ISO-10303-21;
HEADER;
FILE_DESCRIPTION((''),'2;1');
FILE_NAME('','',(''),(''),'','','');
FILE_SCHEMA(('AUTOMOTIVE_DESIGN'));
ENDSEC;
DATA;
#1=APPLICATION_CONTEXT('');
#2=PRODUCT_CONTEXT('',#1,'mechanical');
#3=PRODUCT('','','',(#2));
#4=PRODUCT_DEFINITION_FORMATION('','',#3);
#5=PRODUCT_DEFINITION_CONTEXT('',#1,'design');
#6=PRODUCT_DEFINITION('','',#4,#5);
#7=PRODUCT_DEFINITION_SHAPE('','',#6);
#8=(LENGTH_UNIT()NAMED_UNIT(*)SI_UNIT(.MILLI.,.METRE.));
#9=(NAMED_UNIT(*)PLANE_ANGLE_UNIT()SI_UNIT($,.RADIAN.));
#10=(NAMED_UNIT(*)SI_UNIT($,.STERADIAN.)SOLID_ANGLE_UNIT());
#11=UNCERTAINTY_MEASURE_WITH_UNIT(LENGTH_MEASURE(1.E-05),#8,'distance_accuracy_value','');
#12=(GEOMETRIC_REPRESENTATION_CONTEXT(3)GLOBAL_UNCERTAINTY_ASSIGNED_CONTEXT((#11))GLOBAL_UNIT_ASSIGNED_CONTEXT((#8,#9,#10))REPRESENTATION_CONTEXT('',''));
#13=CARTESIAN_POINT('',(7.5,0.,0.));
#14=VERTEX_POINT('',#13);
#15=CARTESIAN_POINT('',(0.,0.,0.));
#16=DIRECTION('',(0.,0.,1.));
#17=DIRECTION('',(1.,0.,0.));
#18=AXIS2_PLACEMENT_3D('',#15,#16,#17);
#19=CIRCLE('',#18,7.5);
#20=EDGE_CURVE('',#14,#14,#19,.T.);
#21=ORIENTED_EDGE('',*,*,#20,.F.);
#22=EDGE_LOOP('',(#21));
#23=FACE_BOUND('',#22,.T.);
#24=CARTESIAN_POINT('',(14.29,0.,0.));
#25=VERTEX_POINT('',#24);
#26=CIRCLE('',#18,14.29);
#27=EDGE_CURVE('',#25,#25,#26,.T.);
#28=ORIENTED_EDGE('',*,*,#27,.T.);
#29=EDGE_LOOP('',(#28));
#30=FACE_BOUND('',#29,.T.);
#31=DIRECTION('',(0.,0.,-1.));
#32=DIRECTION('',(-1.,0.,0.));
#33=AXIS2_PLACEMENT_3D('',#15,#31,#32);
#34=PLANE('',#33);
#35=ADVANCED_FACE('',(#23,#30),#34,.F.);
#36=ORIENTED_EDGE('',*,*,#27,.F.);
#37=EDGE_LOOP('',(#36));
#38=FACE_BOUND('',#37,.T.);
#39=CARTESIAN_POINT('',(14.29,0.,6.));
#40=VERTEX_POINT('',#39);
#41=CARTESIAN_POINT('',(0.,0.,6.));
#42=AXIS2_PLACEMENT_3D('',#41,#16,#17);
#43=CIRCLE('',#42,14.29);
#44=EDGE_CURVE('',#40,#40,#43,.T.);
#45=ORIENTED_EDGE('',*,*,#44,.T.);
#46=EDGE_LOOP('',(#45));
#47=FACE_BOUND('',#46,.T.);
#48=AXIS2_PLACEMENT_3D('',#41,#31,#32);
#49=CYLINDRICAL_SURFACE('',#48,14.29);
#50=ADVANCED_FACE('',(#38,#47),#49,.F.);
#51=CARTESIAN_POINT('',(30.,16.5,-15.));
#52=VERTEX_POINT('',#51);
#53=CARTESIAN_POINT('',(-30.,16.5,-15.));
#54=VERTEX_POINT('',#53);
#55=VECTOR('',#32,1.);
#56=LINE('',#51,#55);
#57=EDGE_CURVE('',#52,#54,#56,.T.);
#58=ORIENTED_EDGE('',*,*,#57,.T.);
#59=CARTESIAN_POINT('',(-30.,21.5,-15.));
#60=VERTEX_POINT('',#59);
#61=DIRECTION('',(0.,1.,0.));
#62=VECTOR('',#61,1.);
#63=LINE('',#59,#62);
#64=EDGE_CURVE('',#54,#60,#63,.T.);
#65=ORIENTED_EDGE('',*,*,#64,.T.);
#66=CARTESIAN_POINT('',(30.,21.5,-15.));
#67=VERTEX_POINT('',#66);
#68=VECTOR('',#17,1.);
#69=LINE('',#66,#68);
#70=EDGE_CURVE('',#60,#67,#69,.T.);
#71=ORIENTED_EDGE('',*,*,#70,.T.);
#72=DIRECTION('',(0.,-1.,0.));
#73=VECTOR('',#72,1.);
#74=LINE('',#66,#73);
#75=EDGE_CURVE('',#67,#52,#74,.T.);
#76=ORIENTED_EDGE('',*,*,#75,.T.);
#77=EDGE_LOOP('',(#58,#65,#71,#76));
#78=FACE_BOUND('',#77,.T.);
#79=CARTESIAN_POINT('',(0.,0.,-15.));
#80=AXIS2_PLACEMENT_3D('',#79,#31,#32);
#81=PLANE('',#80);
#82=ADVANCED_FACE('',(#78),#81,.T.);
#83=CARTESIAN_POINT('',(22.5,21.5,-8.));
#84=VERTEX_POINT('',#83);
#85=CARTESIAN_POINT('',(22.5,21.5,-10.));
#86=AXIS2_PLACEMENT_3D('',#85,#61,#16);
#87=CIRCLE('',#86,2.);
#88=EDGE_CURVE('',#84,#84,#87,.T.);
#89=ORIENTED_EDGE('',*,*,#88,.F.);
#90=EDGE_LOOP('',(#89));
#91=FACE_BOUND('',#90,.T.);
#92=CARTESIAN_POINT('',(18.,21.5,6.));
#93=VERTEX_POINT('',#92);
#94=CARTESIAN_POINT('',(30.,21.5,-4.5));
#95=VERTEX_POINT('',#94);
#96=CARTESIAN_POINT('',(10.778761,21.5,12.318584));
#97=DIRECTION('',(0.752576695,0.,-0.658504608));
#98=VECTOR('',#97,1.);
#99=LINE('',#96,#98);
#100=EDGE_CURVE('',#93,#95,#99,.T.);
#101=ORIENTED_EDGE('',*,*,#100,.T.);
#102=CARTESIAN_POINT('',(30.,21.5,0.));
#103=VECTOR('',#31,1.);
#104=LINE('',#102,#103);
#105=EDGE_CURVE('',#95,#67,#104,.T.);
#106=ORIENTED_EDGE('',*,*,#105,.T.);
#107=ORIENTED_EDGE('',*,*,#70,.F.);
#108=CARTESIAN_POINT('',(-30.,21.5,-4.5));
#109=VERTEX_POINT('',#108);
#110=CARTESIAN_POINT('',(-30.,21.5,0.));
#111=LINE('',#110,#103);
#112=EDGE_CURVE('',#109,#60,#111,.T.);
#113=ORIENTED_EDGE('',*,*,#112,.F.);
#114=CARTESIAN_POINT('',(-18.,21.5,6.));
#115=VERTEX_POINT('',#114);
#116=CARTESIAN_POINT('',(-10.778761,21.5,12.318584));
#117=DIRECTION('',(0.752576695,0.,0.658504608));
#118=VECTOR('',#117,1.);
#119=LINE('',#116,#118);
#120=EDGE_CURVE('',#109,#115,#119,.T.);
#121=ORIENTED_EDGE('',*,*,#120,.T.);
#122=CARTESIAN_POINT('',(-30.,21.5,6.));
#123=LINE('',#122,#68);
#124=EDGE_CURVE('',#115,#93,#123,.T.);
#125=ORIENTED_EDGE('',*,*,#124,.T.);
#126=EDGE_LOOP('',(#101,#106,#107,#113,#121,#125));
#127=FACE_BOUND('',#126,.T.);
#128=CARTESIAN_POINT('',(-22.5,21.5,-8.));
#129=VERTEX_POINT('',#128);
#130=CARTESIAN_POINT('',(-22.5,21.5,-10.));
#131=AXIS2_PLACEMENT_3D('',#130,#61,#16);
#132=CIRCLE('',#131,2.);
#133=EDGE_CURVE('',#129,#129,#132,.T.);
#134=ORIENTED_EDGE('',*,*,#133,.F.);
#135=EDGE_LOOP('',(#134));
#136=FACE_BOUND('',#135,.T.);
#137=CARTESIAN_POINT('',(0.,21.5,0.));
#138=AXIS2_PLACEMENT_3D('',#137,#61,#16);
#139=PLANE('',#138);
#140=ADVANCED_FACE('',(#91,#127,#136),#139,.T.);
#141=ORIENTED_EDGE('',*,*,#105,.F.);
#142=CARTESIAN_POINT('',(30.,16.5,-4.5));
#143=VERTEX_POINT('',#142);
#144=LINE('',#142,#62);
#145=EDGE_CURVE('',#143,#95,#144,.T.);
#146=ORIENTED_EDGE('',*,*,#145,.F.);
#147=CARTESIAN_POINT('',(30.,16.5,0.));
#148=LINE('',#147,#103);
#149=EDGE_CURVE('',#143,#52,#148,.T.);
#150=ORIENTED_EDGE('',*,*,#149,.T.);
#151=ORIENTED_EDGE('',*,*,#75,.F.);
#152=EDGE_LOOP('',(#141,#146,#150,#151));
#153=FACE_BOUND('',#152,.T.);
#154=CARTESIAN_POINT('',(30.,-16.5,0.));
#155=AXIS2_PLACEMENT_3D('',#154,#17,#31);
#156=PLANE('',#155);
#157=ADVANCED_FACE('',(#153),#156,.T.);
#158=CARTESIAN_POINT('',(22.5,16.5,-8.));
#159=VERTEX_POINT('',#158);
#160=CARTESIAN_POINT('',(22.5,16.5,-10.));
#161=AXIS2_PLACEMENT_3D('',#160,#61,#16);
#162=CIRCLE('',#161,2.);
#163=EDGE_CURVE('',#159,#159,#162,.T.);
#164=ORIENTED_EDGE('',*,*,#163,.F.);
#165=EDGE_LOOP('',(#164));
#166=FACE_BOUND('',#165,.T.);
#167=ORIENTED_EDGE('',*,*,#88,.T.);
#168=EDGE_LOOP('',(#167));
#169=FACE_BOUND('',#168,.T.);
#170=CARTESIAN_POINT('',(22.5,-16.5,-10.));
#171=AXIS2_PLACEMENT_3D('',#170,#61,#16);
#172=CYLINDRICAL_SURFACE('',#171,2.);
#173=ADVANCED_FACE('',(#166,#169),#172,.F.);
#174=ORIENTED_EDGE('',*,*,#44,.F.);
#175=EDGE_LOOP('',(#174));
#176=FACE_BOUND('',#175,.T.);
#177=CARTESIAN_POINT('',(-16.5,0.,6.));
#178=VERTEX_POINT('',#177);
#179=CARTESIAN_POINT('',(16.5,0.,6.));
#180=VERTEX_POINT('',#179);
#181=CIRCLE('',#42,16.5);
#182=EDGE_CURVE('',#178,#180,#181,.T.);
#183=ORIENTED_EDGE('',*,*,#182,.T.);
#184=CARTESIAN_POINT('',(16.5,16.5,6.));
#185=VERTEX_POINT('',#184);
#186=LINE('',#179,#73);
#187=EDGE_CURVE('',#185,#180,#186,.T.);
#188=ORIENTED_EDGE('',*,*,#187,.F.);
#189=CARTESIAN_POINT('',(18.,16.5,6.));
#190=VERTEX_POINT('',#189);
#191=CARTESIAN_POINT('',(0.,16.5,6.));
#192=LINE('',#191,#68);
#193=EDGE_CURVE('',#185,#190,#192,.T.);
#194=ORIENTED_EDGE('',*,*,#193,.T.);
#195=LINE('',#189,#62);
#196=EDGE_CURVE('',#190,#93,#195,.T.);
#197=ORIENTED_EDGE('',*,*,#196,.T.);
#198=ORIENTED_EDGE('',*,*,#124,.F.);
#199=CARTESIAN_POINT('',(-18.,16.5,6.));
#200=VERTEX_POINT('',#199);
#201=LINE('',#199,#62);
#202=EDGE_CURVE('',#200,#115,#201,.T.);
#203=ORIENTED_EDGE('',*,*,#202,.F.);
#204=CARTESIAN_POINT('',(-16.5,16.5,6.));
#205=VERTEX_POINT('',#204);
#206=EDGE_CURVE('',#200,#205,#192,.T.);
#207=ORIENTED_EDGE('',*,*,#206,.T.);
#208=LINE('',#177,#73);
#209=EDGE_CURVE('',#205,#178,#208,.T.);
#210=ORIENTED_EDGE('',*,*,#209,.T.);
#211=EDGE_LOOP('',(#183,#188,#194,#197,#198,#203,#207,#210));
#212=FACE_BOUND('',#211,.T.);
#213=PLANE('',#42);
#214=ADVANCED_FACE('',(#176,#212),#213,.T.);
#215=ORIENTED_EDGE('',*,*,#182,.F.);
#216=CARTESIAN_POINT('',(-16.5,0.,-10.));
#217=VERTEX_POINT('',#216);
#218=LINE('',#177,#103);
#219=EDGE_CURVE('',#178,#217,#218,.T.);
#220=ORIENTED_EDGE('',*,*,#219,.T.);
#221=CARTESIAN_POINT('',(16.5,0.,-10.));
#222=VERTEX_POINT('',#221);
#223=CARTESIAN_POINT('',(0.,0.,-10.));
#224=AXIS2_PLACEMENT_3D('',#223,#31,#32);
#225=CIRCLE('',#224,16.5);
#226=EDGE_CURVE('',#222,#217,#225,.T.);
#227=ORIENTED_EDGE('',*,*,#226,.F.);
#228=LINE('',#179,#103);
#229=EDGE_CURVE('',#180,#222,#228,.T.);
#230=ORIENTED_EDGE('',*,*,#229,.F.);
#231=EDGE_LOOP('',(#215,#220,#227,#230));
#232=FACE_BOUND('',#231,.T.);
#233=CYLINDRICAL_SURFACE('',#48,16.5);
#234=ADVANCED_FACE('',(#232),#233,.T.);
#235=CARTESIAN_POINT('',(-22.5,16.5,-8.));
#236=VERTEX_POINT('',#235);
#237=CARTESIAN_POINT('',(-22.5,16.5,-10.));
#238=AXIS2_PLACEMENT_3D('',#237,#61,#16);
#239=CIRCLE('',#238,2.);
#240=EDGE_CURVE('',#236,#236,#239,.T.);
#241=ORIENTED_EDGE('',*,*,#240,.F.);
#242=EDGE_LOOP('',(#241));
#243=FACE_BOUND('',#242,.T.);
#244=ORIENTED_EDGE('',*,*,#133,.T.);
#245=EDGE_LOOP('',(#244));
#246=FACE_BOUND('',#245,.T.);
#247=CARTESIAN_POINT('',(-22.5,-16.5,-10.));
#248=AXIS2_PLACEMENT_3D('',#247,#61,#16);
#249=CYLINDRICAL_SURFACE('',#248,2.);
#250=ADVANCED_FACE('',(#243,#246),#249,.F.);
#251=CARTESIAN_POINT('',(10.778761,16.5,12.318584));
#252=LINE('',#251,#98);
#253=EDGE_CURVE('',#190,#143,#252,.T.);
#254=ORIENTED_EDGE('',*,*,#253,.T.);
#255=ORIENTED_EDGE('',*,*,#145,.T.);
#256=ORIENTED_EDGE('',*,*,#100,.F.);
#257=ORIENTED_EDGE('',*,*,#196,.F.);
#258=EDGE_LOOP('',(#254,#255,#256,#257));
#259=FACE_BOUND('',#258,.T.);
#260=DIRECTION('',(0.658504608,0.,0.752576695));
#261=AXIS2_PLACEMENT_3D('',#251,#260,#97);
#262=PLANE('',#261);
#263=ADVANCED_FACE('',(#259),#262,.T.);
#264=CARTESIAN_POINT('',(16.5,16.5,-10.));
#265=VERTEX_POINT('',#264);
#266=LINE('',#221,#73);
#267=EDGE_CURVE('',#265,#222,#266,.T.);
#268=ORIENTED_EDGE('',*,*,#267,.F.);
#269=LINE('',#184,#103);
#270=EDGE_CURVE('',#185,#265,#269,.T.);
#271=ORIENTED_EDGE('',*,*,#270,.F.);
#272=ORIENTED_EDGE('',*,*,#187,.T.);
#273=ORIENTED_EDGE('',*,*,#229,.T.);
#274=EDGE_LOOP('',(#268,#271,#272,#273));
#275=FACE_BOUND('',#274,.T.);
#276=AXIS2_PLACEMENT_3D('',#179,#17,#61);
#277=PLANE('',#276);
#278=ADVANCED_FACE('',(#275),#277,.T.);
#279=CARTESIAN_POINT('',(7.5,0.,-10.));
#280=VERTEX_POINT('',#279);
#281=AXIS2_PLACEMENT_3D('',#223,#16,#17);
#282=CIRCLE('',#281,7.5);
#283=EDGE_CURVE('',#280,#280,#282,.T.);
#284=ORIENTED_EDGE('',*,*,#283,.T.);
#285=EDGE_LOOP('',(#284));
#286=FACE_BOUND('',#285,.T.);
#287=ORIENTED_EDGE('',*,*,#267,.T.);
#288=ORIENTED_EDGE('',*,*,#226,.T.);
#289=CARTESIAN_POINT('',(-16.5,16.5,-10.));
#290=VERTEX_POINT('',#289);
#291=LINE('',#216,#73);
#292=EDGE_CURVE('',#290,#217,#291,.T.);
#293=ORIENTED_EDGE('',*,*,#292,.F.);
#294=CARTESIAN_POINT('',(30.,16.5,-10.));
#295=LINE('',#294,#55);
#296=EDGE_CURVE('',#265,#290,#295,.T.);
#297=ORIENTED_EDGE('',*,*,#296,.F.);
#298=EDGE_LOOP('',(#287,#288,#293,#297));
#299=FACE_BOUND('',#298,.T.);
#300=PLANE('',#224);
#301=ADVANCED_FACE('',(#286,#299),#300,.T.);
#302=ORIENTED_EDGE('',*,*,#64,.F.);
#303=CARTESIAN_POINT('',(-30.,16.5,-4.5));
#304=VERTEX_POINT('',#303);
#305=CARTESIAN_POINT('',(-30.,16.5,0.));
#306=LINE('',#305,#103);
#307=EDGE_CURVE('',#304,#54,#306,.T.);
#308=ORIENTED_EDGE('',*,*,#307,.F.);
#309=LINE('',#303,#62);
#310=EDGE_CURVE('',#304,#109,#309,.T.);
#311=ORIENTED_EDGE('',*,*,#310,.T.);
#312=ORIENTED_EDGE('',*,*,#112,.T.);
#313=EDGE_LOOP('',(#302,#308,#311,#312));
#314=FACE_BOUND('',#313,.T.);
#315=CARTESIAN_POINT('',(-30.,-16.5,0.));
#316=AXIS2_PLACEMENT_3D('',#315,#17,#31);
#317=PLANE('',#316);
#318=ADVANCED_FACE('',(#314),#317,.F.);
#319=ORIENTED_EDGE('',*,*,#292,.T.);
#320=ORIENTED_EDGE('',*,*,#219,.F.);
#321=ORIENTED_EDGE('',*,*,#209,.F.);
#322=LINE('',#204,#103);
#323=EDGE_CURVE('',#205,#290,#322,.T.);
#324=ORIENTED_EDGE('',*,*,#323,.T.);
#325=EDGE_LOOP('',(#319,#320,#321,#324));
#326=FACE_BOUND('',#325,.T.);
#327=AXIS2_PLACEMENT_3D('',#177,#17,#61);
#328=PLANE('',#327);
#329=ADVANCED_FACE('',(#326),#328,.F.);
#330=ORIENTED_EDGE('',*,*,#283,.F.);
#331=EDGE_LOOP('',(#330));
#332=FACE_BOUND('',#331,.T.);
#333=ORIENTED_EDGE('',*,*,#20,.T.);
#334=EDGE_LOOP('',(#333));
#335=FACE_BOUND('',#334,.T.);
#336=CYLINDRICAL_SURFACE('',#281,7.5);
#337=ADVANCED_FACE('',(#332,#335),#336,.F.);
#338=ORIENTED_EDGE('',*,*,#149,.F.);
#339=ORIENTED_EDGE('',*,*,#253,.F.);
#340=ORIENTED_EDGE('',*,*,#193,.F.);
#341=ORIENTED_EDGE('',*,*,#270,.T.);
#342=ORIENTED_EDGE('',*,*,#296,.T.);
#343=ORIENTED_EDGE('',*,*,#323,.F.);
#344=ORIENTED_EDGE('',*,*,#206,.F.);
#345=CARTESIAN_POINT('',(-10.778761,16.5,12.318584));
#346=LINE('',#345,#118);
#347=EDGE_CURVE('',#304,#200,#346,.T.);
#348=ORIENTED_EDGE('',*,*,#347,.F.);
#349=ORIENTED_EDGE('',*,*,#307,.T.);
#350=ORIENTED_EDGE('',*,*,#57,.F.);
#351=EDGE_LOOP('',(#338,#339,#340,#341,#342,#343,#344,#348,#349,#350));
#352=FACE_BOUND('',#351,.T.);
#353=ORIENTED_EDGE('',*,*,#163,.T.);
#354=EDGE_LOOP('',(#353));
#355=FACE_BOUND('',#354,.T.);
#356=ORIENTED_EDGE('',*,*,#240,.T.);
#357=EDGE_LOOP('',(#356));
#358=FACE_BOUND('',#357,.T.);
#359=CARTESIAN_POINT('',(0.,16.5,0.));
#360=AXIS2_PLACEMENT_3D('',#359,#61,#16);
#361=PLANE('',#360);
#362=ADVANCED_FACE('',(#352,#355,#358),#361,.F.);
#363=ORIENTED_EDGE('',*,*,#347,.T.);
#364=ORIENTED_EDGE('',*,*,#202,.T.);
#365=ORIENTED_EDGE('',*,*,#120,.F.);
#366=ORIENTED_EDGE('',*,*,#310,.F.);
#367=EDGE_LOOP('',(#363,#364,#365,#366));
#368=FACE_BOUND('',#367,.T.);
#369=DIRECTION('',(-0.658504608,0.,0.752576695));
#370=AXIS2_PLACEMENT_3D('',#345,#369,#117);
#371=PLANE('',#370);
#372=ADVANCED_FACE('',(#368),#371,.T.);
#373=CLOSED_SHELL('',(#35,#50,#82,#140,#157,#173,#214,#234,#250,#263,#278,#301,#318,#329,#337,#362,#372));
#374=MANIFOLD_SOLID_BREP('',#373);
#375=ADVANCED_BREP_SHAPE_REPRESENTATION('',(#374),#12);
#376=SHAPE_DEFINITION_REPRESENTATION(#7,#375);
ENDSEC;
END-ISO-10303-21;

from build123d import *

# Parameters (mm, degrees)
ESQUISSE1_R             = 16.5
ESQUISSE1_R_2           = 14.29
BOSS_EXTRU_1_DEPTH      = 6
BOSS_EXTRU_2_START      = 10
ESQUISSE2_R             = 16.5
BOSS_EXTRU_2_DEPTH      = 10
BOSS_EXTRU_3_DEPTH      = 5
BOSS_EXTRU_4_DEPTH      = 16
ESQUISSE7_R             = 2
ESQUISSE7_W             = 60
ESQUISSE7_H             = 4
ENL_V_MAT_EXTRU_1_DEPTH = 57.071383076
ESQUISSE8_R             = 7.5
ENL_V_MAT_EXTRU_2_DEPTH = 39.23937761
ESQUISSE10_W            = 60
ESQUISSE10_H            = 5
BOSS_EXTRU_5_DEPTH      = 5
ENL_V_MAT_EXTRU_4_DEPTH = 5


with BuildPart() as part:
    # Esquisse1 → Boss.-Extru.1 (new body)
    with BuildSketch(Plane.XY):
        Circle(ESQUISSE1_R)
        Circle(ESQUISSE1_R_2, mode=Mode.SUBTRACT)
    extrude(amount=BOSS_EXTRU_1_DEPTH)

    # Esquisse2 → Boss.-Extru.2 (add)
    with BuildSketch(Plane(origin=(0, 0, 0), x_dir=(-1, 0, 0), z_dir=(0, 0, -1)).offset(BOSS_EXTRU_2_START)):
        Circle(ESQUISSE2_R)
    extrude(amount=-BOSS_EXTRU_2_DEPTH)



with BuildPart() as body_2:
    # Esquisse3 → Boss.-Extru.3 (new body)
    with BuildSketch(Plane(origin=(0, 16.5, 0), x_dir=(1, 0, 0), z_dir=(0, 1, 0))):
        Polygon((0, 10), (40, 10), (40, -10), (0, -10), (-40, -10), (-40, 10), align=None)
    extrude(amount=BOSS_EXTRU_3_DEPTH)


with BuildPart() as part_1:
    add(part.part)

    add(body_2.part)  # Boss.-Extru.4 merges body 2
    # Esquisse4 → Boss.-Extru.4 (add)
    with BuildSketch(Plane.XY.offset(-10)):
        with BuildLine():
            ThreePointArc((-16.5, 0), (-11.66726189, 11.66726189), (0, 16.5))
            Line((0, 16.5), (-16.5, 16.5))
            Line((-16.5, 16.5), (-16.5, 0))
        make_face()
        with BuildLine():
            ThreePointArc((16.5, 0), (11.66726189, 11.66726189), (0, 16.5))
            Line((0, 16.5), (16.5, 16.5))
            Line((16.5, 16.5), (16.5, 0))
        make_face()
    extrude(amount=BOSS_EXTRU_4_DEPTH)

    # Esquisse7 → Enlèv. mat.-Extru.1 (cut, through all)
    with BuildSketch(Plane(origin=(0, 21.5, 0), x_dir=(1, 0, 0), z_dir=(0, 1, 0))):
        Polygon((-40, -10), (-30, -10), (-30, -6), (-30, 10), (-40, 10), align=None)
        Polygon((30, -6), (30, -10), (40, -10), (40, 10), (30, 10), align=None)
        with Locations((22.5, 10)):
            Circle(ESQUISSE7_R)
        with Locations((-22.5, 10)):
            Circle(ESQUISSE7_R)
        with Locations((0, -8)):
            Rectangle(ESQUISSE7_W, ESQUISSE7_H)
    extrude(amount=-ENL_V_MAT_EXTRU_1_DEPTH, mode=Mode.SUBTRACT)

    # Esquisse8 → Enlèv. mat.-Extru.2 (cut, through all)
    with BuildSketch(Plane.XY):
        Circle(ESQUISSE8_R)
    extrude(amount=-ENL_V_MAT_EXTRU_2_DEPTH, mode=Mode.SUBTRACT)

    # Esquisse10 → Boss.-Extru.5 (add)
    with BuildSketch(Plane(origin=(0, 0, -10), x_dir=(-1, 0, 0), z_dir=(0, 0, -1))):
        with Locations((0, 19)):
            Rectangle(ESQUISSE10_W, ESQUISSE10_H)
    extrude(amount=BOSS_EXTRU_5_DEPTH)

    # Esquisse11 → Enlèv. mat.-Extru.4 (cut)
    with BuildSketch(Plane(origin=(0, 21.5, 0), x_dir=(1, 0, 0), z_dir=(0, 1, 0))):
        Polygon((-18, -6), (-30, 4.5), (-30, -6), align=None)
        Polygon((30, 4.5), (18, -6), (30, -6), align=None)
        with BuildLine():
            Line((20.5, 10), (24.5, 10))
            ThreePointArc((24.5, 10), (22.5, 12), (20.5, 10))
        make_face()
        with BuildLine():
            ThreePointArc((20.5, 10), (22.5, 8), (24.5, 10))
            Line((24.5, 10), (20.5, 10))
        make_face()
        with BuildLine():
            Line((-24.5, 10), (-20.5, 10))
            ThreePointArc((-20.5, 10), (-22.5, 12), (-24.5, 10))
        make_face()
        with BuildLine():
            ThreePointArc((-24.5, 10), (-22.5, 8), (-20.5, 10))
            Line((-20.5, 10), (-24.5, 10))
        make_face()
    extrude(amount=-ENL_V_MAT_EXTRU_4_DEPTH, mode=Mode.SUBTRACT)


solid = part_1.part
